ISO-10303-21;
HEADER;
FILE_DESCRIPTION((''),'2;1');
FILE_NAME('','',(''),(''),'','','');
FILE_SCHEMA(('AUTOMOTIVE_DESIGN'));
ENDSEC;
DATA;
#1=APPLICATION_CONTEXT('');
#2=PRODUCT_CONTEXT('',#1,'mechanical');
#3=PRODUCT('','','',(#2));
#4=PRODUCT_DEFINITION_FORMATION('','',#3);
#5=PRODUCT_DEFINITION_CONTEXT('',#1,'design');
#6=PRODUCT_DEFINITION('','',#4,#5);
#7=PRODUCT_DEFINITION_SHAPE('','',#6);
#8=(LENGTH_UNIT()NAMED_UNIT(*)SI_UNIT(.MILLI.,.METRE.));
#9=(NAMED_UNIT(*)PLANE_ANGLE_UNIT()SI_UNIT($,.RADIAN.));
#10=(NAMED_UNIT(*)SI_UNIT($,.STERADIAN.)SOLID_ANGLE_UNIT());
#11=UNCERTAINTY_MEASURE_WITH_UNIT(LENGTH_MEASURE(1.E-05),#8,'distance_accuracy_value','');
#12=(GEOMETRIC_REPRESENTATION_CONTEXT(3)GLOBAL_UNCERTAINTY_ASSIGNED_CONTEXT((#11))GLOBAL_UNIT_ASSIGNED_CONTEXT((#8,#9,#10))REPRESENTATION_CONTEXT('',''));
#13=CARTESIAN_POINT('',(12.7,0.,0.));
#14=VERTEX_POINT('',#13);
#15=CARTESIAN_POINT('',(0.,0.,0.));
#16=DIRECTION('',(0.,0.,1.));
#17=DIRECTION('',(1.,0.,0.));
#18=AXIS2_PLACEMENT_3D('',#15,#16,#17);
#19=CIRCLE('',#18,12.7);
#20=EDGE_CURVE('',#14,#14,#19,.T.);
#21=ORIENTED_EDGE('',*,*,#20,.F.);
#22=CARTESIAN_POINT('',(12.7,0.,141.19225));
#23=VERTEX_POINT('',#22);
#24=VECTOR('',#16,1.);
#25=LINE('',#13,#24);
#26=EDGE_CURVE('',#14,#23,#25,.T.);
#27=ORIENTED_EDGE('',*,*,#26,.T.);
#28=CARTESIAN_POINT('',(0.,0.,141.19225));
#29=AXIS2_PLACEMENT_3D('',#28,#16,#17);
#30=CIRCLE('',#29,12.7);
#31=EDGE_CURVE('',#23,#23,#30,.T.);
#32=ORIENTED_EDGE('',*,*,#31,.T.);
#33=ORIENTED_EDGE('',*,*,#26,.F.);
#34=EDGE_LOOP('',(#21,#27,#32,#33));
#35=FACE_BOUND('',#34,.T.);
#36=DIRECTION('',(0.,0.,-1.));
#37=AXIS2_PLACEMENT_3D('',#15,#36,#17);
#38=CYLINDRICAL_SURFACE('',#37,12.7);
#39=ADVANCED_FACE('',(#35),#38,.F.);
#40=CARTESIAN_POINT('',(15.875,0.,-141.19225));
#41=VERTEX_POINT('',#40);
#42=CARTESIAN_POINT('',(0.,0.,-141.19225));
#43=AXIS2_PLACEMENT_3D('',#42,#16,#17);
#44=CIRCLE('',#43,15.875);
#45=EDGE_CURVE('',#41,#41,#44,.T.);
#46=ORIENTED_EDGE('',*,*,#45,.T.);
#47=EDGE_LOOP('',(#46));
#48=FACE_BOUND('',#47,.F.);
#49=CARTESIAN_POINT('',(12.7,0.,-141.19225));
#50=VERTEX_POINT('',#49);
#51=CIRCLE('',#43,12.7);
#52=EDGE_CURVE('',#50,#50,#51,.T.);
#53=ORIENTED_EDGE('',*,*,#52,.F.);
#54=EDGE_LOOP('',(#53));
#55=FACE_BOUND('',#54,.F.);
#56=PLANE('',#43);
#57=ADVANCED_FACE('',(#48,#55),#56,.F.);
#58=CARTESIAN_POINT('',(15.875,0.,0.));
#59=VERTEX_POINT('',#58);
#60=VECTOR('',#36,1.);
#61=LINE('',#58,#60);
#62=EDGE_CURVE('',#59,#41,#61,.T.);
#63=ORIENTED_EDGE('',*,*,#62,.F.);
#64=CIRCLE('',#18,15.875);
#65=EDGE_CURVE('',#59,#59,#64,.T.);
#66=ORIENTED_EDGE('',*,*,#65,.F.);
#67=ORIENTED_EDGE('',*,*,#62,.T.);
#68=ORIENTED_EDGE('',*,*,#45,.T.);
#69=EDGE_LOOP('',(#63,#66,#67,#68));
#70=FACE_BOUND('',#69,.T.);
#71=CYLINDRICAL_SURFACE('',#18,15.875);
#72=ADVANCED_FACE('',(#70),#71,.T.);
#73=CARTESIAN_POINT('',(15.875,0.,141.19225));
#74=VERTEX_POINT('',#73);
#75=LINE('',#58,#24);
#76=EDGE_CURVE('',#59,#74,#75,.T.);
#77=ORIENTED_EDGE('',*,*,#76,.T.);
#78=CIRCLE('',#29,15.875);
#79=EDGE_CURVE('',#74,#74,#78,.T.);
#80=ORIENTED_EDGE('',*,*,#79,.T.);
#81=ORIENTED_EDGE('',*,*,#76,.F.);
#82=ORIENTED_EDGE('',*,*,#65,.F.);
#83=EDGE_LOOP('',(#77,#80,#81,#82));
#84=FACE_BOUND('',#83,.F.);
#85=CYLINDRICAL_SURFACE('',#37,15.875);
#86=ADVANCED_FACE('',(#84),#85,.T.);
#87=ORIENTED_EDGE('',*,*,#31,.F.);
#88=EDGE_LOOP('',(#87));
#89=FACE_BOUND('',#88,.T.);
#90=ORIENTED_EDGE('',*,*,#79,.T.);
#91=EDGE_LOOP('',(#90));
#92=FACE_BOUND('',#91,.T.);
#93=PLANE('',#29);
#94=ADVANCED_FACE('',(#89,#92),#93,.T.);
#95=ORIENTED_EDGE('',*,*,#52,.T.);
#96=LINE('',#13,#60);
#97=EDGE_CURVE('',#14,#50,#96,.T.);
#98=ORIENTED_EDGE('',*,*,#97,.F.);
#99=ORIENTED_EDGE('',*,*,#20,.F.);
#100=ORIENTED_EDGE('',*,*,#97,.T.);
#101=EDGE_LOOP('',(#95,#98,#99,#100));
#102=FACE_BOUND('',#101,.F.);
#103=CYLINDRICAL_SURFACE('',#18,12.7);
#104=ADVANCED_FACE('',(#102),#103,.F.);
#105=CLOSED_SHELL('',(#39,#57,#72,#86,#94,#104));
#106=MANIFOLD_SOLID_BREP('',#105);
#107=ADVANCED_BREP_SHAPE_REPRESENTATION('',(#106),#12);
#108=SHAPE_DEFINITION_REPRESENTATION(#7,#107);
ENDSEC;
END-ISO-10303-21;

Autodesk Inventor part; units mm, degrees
ref_plane "YZ Plane" through (0, 0, 0) normal (1, 0, 0) x (0, 1, 0)
ref_plane "XZ Plane" through (0, 0, 0) normal (0, 1, 0) x (-1, 0, 0)
ref_plane "XY Plane" through (0, 0, 0) normal (0, 0, 1) x (1, 0, 0)
sketch "Sketch1" plane through (0, 0, 0) normal (0, 0, 1) x (1, 0, 0)
  circle A0 centre (0, 0) radius 15.875
  circle A1 centre (0, 0) radius 12.7
  dimension "d0" = 31.75
  dimension "d1" = 3.175
extrude "Extrusion1" add sketch "Sketch1" along normal mid plane 282.3845
properties part number "CL3-006" material "Aluminum 6061"
